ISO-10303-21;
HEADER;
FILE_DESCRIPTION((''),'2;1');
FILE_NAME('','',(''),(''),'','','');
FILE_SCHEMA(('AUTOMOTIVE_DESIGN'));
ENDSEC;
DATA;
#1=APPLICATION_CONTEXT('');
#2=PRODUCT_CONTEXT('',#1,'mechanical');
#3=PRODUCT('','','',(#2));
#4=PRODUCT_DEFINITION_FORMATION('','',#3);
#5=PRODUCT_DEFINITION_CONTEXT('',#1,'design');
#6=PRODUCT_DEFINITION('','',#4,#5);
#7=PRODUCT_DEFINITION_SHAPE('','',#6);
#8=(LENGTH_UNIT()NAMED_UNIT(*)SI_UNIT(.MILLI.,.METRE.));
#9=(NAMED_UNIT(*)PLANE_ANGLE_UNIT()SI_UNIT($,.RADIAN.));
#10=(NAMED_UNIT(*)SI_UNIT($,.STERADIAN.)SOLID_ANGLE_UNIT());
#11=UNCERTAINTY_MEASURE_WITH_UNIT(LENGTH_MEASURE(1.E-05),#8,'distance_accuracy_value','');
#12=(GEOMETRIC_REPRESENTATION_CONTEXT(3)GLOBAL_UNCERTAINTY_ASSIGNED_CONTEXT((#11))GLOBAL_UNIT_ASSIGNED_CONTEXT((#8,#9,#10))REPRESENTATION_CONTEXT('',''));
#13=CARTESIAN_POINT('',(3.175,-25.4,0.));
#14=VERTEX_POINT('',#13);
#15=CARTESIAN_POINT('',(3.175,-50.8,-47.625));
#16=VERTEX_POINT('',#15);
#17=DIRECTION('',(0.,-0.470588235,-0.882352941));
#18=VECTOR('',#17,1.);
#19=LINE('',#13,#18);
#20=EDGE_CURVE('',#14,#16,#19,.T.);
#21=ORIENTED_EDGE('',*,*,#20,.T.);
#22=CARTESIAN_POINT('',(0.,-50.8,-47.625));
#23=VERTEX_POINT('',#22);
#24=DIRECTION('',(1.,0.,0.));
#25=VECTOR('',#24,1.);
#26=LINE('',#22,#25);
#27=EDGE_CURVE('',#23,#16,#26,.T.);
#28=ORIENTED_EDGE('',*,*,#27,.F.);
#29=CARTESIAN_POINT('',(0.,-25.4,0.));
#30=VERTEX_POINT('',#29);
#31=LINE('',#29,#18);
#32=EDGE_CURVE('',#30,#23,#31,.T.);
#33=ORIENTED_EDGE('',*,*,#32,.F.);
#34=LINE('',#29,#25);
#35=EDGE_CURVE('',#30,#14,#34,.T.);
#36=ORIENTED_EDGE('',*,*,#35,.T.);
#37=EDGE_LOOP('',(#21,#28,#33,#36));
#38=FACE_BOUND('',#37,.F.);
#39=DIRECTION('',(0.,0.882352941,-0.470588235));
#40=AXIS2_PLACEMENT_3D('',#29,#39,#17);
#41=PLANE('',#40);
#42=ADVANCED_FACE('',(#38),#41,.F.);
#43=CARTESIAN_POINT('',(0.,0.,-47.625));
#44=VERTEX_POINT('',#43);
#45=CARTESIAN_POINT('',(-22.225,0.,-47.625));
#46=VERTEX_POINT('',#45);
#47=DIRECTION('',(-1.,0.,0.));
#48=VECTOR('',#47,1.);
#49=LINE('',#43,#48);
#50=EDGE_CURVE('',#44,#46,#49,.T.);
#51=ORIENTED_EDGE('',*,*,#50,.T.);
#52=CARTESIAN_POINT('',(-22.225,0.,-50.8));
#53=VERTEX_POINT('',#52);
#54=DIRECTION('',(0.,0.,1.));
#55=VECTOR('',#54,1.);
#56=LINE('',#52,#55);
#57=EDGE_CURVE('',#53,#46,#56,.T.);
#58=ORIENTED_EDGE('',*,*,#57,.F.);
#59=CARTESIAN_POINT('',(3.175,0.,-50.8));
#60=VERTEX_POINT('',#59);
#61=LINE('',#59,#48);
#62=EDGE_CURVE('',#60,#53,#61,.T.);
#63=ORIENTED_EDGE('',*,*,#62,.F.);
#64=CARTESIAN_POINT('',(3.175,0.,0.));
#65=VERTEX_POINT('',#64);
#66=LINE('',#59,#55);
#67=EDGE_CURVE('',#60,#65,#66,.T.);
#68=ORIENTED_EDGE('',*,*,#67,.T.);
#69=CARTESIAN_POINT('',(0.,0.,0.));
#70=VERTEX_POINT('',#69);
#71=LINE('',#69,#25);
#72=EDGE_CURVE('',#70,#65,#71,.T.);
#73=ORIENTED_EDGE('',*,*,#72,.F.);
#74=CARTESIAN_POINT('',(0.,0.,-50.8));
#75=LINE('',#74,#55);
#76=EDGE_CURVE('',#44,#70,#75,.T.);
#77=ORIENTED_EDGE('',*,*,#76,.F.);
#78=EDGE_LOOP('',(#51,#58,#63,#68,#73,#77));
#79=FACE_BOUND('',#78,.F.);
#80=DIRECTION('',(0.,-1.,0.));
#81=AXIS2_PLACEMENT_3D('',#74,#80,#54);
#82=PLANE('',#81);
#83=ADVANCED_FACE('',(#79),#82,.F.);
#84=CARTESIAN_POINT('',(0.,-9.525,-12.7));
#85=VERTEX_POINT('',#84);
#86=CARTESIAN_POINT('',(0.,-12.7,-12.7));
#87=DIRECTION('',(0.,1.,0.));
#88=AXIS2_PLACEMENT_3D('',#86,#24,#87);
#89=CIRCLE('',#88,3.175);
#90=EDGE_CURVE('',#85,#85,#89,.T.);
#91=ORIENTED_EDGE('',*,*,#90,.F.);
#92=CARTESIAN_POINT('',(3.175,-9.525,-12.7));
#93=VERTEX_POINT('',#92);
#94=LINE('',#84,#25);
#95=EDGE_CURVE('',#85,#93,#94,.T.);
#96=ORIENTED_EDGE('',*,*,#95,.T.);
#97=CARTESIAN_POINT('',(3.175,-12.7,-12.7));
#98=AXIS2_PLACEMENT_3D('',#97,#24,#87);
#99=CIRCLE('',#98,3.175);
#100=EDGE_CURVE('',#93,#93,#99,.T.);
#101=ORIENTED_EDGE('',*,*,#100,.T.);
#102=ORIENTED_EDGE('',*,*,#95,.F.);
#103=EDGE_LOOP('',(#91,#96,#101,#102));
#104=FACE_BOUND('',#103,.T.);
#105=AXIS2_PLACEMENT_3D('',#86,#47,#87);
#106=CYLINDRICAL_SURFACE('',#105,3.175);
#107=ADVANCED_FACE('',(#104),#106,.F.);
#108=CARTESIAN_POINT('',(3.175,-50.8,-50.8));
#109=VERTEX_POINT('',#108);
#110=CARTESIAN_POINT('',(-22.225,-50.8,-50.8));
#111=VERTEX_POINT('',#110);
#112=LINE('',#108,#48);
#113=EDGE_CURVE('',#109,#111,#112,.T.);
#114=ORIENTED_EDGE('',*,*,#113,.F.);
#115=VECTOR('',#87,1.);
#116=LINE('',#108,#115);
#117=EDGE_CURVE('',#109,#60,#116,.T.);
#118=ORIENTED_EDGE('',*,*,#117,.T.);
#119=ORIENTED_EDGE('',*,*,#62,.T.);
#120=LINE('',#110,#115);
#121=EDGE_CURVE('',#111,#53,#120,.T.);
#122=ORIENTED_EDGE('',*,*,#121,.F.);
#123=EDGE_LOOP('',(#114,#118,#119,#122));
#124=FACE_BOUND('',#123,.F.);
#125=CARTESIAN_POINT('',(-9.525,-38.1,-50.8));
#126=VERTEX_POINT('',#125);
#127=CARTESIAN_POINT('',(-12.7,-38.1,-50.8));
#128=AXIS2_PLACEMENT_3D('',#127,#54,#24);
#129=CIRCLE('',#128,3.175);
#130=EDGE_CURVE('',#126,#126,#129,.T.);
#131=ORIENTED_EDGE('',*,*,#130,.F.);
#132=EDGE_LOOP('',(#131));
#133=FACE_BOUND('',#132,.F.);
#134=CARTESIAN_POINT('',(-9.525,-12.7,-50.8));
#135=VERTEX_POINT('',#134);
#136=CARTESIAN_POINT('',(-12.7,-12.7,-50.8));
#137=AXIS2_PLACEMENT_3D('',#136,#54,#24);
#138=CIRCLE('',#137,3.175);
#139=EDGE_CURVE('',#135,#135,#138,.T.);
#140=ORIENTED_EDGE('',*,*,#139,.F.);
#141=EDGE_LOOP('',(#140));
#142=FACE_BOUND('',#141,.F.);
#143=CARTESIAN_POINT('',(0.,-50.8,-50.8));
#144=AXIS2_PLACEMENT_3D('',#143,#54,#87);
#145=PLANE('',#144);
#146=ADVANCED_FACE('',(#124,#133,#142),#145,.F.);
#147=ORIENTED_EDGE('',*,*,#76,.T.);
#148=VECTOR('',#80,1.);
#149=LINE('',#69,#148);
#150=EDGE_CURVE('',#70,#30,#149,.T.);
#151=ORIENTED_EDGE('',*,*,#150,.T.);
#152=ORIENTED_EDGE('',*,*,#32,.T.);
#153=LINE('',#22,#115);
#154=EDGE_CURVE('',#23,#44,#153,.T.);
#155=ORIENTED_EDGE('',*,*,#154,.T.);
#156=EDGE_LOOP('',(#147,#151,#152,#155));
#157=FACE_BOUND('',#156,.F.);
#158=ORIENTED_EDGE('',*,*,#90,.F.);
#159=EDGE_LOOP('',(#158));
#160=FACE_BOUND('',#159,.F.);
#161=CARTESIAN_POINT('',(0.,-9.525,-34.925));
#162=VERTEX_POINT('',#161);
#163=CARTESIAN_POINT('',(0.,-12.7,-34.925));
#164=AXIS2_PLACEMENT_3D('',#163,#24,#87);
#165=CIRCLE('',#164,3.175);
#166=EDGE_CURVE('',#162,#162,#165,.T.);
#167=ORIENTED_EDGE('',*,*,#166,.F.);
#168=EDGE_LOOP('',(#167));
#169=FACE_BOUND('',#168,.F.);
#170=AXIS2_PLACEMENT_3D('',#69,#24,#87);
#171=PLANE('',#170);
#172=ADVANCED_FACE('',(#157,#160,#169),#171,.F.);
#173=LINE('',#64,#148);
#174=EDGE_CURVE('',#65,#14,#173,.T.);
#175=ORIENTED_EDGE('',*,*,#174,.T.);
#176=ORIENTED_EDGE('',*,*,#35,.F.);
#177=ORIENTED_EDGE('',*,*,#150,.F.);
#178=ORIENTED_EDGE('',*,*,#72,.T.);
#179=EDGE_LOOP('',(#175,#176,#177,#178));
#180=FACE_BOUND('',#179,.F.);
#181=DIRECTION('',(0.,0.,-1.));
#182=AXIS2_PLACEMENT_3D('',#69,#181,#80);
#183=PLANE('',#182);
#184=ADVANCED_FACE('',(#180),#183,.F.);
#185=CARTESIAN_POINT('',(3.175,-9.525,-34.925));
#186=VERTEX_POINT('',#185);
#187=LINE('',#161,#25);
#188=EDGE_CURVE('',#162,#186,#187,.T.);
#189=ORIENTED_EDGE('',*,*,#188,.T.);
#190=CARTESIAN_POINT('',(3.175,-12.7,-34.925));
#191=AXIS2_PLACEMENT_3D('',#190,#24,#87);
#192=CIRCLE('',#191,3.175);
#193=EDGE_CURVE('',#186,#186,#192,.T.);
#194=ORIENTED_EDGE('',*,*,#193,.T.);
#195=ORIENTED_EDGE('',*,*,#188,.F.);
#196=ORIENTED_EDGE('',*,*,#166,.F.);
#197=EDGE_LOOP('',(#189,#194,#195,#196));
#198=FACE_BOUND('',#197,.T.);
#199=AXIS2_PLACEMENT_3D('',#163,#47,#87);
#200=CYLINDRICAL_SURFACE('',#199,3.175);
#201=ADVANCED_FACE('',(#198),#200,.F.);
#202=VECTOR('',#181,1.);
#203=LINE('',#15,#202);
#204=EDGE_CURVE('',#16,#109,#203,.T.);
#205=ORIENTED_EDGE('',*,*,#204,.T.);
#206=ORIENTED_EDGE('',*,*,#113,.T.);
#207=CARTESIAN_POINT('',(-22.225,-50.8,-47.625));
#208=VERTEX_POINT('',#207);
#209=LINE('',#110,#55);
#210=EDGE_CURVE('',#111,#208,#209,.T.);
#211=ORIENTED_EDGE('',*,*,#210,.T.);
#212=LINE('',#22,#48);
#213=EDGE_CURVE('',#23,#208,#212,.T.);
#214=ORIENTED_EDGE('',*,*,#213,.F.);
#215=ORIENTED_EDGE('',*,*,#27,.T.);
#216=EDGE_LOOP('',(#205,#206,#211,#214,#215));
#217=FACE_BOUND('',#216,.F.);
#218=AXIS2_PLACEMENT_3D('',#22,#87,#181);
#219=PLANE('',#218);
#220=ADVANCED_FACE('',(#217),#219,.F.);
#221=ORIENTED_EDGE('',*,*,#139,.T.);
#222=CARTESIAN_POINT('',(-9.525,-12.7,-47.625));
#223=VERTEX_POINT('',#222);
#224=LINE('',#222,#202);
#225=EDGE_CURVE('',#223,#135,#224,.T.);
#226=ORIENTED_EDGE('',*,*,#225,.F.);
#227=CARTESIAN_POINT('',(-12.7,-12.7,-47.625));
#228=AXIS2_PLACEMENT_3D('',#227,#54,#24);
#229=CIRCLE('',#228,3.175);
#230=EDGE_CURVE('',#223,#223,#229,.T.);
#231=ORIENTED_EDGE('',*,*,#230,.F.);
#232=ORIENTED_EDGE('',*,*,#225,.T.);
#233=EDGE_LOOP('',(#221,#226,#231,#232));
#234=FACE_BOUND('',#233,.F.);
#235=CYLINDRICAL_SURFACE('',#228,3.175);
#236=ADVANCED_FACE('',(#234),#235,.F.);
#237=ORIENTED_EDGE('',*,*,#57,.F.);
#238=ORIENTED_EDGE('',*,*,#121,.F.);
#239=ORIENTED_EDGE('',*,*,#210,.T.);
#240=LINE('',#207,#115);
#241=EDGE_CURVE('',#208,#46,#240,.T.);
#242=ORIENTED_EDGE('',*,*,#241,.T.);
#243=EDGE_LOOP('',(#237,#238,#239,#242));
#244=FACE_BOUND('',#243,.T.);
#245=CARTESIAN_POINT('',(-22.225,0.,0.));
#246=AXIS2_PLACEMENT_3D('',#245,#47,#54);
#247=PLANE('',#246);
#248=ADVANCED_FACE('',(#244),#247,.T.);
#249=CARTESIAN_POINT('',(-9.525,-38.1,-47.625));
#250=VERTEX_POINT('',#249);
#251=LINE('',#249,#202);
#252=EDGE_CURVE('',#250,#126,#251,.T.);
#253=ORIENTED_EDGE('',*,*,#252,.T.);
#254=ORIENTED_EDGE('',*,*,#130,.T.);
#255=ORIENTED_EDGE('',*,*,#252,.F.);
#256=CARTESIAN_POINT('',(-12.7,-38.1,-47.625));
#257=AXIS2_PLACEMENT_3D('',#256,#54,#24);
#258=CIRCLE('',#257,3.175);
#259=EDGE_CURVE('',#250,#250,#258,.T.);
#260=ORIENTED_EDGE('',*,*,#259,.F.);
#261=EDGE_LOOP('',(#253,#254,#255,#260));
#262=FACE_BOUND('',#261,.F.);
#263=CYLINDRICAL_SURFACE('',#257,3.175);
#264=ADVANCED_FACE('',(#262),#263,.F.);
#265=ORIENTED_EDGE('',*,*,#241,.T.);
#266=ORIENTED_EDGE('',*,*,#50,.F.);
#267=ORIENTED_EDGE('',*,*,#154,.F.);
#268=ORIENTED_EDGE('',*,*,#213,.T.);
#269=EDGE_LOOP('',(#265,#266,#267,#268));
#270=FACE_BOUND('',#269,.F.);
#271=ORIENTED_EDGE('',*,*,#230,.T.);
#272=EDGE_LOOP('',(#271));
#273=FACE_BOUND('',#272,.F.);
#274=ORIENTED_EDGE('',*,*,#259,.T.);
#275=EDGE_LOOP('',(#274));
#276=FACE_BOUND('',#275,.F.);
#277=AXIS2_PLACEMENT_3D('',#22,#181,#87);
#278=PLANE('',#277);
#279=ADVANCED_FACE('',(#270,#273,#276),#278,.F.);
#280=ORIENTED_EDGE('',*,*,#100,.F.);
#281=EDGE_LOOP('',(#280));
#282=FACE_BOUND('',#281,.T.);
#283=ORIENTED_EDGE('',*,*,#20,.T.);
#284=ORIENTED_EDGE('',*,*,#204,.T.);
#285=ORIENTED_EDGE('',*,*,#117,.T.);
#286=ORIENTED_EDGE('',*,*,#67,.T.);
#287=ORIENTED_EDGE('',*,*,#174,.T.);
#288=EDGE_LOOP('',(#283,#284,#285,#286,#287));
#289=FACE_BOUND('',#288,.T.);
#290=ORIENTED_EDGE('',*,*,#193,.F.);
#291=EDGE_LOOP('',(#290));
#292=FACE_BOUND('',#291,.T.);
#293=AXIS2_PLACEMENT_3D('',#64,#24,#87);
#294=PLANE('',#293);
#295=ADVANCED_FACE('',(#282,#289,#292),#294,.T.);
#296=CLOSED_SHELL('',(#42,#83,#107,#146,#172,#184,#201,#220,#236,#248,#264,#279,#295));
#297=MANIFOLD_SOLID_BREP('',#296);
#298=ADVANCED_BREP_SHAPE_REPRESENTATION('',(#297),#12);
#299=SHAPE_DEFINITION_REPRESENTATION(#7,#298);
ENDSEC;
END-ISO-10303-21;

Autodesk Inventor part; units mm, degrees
ref_plane "YZ Plane" through (0, 0, 0) normal (1, 0, 0) x (0, 1, 0)
ref_plane "XZ Plane" through (0, 0, 0) normal (0, 1, 0) x (-1, 0, 0)
ref_plane "XY Plane" through (0, 0, 0) normal (0, 0, 1) x (1, 0, 0)
sketch "Sketch1" plane through (0, 0, 0) normal (1, 0, 0) x (0, 1, 0)
  line L0 (-25.4, 0) -> (-50.8, -47.625)
  line L1 (-50.8, -47.625) -> (-50.8, -50.8)
  line L2 (-50.8, -50.8) -> (0, -50.8)
  line L3 (0, -50.8) -> (0, 0)
  line L4 (0, 0) -> (-25.4, 0)
  circle A0 centre (-12.7, -12.7) radius 3.175
  circle A1 centre (-12.7, -34.925) radius 3.175
  dimension "d1" = 3.175
  dimension "d2" = 50.8
  dimension "d3" = 50.8
  dimension "d4" = 25.4
  dimension "d5" = 6.35
  dimension "d6" = 6.35
  dimension "d7" = 15.875
  dimension "d8" = 12.7
  dimension "d9" = 12.7
  dimension "d10" = 12.7
extrude "Extrusion1" add sketch "Sketch1" along normal blind 3.175
sketch "Sketch2" plane through (0, 0, 0) normal (-1, 0, 0) x (0, 0, 1)
  line L0 (-50.8, -50.8) -> (-50.8, 0) projected
  line L1 (-50.8, 0) -> (0, 0) projected
  line L2 (-50.8, -50.8) -> (-47.625, -50.8)
  line L3 (-47.625, -50.8) -> (-47.625, 0)
  line L4 (-47.625, 0) -> (-50.8, 0)
  line L5 (-50.8, 0) -> (-50.8, -50.8)
  dimension "d13" = 3.175
extrude "Extrusion2" add sketch "Sketch2" along normal blind 22.225
sketch "Sketch3" plane through (0, -50.8, -47.625) normal (0, 0, 1) x (1, 0, 0)
  circle A0 centre (-12.7, 12.7) radius 3.175
  circle A1 centre (-12.7, 38.1) radius 3.175
  line L0 (-22.225, 50.8) -> (-22.225, 0) projected
  line L1 (0, 50.8) -> (-22.225, 50.8) projected
  line L2 (0, 0) -> (-22.225, 0) projected
  dimension "d16" = 9.525
  dimension "d17" = 12.7
  dimension "d18" = 9.525
  dimension "d19" = 12.7
  dimension "d20" = 6.35
extrude "Extrusion3" cut sketch "Sketch3" against normal blind 22.225
properties part number "15102898-16-P-0207" material "Aluminum 6061"
